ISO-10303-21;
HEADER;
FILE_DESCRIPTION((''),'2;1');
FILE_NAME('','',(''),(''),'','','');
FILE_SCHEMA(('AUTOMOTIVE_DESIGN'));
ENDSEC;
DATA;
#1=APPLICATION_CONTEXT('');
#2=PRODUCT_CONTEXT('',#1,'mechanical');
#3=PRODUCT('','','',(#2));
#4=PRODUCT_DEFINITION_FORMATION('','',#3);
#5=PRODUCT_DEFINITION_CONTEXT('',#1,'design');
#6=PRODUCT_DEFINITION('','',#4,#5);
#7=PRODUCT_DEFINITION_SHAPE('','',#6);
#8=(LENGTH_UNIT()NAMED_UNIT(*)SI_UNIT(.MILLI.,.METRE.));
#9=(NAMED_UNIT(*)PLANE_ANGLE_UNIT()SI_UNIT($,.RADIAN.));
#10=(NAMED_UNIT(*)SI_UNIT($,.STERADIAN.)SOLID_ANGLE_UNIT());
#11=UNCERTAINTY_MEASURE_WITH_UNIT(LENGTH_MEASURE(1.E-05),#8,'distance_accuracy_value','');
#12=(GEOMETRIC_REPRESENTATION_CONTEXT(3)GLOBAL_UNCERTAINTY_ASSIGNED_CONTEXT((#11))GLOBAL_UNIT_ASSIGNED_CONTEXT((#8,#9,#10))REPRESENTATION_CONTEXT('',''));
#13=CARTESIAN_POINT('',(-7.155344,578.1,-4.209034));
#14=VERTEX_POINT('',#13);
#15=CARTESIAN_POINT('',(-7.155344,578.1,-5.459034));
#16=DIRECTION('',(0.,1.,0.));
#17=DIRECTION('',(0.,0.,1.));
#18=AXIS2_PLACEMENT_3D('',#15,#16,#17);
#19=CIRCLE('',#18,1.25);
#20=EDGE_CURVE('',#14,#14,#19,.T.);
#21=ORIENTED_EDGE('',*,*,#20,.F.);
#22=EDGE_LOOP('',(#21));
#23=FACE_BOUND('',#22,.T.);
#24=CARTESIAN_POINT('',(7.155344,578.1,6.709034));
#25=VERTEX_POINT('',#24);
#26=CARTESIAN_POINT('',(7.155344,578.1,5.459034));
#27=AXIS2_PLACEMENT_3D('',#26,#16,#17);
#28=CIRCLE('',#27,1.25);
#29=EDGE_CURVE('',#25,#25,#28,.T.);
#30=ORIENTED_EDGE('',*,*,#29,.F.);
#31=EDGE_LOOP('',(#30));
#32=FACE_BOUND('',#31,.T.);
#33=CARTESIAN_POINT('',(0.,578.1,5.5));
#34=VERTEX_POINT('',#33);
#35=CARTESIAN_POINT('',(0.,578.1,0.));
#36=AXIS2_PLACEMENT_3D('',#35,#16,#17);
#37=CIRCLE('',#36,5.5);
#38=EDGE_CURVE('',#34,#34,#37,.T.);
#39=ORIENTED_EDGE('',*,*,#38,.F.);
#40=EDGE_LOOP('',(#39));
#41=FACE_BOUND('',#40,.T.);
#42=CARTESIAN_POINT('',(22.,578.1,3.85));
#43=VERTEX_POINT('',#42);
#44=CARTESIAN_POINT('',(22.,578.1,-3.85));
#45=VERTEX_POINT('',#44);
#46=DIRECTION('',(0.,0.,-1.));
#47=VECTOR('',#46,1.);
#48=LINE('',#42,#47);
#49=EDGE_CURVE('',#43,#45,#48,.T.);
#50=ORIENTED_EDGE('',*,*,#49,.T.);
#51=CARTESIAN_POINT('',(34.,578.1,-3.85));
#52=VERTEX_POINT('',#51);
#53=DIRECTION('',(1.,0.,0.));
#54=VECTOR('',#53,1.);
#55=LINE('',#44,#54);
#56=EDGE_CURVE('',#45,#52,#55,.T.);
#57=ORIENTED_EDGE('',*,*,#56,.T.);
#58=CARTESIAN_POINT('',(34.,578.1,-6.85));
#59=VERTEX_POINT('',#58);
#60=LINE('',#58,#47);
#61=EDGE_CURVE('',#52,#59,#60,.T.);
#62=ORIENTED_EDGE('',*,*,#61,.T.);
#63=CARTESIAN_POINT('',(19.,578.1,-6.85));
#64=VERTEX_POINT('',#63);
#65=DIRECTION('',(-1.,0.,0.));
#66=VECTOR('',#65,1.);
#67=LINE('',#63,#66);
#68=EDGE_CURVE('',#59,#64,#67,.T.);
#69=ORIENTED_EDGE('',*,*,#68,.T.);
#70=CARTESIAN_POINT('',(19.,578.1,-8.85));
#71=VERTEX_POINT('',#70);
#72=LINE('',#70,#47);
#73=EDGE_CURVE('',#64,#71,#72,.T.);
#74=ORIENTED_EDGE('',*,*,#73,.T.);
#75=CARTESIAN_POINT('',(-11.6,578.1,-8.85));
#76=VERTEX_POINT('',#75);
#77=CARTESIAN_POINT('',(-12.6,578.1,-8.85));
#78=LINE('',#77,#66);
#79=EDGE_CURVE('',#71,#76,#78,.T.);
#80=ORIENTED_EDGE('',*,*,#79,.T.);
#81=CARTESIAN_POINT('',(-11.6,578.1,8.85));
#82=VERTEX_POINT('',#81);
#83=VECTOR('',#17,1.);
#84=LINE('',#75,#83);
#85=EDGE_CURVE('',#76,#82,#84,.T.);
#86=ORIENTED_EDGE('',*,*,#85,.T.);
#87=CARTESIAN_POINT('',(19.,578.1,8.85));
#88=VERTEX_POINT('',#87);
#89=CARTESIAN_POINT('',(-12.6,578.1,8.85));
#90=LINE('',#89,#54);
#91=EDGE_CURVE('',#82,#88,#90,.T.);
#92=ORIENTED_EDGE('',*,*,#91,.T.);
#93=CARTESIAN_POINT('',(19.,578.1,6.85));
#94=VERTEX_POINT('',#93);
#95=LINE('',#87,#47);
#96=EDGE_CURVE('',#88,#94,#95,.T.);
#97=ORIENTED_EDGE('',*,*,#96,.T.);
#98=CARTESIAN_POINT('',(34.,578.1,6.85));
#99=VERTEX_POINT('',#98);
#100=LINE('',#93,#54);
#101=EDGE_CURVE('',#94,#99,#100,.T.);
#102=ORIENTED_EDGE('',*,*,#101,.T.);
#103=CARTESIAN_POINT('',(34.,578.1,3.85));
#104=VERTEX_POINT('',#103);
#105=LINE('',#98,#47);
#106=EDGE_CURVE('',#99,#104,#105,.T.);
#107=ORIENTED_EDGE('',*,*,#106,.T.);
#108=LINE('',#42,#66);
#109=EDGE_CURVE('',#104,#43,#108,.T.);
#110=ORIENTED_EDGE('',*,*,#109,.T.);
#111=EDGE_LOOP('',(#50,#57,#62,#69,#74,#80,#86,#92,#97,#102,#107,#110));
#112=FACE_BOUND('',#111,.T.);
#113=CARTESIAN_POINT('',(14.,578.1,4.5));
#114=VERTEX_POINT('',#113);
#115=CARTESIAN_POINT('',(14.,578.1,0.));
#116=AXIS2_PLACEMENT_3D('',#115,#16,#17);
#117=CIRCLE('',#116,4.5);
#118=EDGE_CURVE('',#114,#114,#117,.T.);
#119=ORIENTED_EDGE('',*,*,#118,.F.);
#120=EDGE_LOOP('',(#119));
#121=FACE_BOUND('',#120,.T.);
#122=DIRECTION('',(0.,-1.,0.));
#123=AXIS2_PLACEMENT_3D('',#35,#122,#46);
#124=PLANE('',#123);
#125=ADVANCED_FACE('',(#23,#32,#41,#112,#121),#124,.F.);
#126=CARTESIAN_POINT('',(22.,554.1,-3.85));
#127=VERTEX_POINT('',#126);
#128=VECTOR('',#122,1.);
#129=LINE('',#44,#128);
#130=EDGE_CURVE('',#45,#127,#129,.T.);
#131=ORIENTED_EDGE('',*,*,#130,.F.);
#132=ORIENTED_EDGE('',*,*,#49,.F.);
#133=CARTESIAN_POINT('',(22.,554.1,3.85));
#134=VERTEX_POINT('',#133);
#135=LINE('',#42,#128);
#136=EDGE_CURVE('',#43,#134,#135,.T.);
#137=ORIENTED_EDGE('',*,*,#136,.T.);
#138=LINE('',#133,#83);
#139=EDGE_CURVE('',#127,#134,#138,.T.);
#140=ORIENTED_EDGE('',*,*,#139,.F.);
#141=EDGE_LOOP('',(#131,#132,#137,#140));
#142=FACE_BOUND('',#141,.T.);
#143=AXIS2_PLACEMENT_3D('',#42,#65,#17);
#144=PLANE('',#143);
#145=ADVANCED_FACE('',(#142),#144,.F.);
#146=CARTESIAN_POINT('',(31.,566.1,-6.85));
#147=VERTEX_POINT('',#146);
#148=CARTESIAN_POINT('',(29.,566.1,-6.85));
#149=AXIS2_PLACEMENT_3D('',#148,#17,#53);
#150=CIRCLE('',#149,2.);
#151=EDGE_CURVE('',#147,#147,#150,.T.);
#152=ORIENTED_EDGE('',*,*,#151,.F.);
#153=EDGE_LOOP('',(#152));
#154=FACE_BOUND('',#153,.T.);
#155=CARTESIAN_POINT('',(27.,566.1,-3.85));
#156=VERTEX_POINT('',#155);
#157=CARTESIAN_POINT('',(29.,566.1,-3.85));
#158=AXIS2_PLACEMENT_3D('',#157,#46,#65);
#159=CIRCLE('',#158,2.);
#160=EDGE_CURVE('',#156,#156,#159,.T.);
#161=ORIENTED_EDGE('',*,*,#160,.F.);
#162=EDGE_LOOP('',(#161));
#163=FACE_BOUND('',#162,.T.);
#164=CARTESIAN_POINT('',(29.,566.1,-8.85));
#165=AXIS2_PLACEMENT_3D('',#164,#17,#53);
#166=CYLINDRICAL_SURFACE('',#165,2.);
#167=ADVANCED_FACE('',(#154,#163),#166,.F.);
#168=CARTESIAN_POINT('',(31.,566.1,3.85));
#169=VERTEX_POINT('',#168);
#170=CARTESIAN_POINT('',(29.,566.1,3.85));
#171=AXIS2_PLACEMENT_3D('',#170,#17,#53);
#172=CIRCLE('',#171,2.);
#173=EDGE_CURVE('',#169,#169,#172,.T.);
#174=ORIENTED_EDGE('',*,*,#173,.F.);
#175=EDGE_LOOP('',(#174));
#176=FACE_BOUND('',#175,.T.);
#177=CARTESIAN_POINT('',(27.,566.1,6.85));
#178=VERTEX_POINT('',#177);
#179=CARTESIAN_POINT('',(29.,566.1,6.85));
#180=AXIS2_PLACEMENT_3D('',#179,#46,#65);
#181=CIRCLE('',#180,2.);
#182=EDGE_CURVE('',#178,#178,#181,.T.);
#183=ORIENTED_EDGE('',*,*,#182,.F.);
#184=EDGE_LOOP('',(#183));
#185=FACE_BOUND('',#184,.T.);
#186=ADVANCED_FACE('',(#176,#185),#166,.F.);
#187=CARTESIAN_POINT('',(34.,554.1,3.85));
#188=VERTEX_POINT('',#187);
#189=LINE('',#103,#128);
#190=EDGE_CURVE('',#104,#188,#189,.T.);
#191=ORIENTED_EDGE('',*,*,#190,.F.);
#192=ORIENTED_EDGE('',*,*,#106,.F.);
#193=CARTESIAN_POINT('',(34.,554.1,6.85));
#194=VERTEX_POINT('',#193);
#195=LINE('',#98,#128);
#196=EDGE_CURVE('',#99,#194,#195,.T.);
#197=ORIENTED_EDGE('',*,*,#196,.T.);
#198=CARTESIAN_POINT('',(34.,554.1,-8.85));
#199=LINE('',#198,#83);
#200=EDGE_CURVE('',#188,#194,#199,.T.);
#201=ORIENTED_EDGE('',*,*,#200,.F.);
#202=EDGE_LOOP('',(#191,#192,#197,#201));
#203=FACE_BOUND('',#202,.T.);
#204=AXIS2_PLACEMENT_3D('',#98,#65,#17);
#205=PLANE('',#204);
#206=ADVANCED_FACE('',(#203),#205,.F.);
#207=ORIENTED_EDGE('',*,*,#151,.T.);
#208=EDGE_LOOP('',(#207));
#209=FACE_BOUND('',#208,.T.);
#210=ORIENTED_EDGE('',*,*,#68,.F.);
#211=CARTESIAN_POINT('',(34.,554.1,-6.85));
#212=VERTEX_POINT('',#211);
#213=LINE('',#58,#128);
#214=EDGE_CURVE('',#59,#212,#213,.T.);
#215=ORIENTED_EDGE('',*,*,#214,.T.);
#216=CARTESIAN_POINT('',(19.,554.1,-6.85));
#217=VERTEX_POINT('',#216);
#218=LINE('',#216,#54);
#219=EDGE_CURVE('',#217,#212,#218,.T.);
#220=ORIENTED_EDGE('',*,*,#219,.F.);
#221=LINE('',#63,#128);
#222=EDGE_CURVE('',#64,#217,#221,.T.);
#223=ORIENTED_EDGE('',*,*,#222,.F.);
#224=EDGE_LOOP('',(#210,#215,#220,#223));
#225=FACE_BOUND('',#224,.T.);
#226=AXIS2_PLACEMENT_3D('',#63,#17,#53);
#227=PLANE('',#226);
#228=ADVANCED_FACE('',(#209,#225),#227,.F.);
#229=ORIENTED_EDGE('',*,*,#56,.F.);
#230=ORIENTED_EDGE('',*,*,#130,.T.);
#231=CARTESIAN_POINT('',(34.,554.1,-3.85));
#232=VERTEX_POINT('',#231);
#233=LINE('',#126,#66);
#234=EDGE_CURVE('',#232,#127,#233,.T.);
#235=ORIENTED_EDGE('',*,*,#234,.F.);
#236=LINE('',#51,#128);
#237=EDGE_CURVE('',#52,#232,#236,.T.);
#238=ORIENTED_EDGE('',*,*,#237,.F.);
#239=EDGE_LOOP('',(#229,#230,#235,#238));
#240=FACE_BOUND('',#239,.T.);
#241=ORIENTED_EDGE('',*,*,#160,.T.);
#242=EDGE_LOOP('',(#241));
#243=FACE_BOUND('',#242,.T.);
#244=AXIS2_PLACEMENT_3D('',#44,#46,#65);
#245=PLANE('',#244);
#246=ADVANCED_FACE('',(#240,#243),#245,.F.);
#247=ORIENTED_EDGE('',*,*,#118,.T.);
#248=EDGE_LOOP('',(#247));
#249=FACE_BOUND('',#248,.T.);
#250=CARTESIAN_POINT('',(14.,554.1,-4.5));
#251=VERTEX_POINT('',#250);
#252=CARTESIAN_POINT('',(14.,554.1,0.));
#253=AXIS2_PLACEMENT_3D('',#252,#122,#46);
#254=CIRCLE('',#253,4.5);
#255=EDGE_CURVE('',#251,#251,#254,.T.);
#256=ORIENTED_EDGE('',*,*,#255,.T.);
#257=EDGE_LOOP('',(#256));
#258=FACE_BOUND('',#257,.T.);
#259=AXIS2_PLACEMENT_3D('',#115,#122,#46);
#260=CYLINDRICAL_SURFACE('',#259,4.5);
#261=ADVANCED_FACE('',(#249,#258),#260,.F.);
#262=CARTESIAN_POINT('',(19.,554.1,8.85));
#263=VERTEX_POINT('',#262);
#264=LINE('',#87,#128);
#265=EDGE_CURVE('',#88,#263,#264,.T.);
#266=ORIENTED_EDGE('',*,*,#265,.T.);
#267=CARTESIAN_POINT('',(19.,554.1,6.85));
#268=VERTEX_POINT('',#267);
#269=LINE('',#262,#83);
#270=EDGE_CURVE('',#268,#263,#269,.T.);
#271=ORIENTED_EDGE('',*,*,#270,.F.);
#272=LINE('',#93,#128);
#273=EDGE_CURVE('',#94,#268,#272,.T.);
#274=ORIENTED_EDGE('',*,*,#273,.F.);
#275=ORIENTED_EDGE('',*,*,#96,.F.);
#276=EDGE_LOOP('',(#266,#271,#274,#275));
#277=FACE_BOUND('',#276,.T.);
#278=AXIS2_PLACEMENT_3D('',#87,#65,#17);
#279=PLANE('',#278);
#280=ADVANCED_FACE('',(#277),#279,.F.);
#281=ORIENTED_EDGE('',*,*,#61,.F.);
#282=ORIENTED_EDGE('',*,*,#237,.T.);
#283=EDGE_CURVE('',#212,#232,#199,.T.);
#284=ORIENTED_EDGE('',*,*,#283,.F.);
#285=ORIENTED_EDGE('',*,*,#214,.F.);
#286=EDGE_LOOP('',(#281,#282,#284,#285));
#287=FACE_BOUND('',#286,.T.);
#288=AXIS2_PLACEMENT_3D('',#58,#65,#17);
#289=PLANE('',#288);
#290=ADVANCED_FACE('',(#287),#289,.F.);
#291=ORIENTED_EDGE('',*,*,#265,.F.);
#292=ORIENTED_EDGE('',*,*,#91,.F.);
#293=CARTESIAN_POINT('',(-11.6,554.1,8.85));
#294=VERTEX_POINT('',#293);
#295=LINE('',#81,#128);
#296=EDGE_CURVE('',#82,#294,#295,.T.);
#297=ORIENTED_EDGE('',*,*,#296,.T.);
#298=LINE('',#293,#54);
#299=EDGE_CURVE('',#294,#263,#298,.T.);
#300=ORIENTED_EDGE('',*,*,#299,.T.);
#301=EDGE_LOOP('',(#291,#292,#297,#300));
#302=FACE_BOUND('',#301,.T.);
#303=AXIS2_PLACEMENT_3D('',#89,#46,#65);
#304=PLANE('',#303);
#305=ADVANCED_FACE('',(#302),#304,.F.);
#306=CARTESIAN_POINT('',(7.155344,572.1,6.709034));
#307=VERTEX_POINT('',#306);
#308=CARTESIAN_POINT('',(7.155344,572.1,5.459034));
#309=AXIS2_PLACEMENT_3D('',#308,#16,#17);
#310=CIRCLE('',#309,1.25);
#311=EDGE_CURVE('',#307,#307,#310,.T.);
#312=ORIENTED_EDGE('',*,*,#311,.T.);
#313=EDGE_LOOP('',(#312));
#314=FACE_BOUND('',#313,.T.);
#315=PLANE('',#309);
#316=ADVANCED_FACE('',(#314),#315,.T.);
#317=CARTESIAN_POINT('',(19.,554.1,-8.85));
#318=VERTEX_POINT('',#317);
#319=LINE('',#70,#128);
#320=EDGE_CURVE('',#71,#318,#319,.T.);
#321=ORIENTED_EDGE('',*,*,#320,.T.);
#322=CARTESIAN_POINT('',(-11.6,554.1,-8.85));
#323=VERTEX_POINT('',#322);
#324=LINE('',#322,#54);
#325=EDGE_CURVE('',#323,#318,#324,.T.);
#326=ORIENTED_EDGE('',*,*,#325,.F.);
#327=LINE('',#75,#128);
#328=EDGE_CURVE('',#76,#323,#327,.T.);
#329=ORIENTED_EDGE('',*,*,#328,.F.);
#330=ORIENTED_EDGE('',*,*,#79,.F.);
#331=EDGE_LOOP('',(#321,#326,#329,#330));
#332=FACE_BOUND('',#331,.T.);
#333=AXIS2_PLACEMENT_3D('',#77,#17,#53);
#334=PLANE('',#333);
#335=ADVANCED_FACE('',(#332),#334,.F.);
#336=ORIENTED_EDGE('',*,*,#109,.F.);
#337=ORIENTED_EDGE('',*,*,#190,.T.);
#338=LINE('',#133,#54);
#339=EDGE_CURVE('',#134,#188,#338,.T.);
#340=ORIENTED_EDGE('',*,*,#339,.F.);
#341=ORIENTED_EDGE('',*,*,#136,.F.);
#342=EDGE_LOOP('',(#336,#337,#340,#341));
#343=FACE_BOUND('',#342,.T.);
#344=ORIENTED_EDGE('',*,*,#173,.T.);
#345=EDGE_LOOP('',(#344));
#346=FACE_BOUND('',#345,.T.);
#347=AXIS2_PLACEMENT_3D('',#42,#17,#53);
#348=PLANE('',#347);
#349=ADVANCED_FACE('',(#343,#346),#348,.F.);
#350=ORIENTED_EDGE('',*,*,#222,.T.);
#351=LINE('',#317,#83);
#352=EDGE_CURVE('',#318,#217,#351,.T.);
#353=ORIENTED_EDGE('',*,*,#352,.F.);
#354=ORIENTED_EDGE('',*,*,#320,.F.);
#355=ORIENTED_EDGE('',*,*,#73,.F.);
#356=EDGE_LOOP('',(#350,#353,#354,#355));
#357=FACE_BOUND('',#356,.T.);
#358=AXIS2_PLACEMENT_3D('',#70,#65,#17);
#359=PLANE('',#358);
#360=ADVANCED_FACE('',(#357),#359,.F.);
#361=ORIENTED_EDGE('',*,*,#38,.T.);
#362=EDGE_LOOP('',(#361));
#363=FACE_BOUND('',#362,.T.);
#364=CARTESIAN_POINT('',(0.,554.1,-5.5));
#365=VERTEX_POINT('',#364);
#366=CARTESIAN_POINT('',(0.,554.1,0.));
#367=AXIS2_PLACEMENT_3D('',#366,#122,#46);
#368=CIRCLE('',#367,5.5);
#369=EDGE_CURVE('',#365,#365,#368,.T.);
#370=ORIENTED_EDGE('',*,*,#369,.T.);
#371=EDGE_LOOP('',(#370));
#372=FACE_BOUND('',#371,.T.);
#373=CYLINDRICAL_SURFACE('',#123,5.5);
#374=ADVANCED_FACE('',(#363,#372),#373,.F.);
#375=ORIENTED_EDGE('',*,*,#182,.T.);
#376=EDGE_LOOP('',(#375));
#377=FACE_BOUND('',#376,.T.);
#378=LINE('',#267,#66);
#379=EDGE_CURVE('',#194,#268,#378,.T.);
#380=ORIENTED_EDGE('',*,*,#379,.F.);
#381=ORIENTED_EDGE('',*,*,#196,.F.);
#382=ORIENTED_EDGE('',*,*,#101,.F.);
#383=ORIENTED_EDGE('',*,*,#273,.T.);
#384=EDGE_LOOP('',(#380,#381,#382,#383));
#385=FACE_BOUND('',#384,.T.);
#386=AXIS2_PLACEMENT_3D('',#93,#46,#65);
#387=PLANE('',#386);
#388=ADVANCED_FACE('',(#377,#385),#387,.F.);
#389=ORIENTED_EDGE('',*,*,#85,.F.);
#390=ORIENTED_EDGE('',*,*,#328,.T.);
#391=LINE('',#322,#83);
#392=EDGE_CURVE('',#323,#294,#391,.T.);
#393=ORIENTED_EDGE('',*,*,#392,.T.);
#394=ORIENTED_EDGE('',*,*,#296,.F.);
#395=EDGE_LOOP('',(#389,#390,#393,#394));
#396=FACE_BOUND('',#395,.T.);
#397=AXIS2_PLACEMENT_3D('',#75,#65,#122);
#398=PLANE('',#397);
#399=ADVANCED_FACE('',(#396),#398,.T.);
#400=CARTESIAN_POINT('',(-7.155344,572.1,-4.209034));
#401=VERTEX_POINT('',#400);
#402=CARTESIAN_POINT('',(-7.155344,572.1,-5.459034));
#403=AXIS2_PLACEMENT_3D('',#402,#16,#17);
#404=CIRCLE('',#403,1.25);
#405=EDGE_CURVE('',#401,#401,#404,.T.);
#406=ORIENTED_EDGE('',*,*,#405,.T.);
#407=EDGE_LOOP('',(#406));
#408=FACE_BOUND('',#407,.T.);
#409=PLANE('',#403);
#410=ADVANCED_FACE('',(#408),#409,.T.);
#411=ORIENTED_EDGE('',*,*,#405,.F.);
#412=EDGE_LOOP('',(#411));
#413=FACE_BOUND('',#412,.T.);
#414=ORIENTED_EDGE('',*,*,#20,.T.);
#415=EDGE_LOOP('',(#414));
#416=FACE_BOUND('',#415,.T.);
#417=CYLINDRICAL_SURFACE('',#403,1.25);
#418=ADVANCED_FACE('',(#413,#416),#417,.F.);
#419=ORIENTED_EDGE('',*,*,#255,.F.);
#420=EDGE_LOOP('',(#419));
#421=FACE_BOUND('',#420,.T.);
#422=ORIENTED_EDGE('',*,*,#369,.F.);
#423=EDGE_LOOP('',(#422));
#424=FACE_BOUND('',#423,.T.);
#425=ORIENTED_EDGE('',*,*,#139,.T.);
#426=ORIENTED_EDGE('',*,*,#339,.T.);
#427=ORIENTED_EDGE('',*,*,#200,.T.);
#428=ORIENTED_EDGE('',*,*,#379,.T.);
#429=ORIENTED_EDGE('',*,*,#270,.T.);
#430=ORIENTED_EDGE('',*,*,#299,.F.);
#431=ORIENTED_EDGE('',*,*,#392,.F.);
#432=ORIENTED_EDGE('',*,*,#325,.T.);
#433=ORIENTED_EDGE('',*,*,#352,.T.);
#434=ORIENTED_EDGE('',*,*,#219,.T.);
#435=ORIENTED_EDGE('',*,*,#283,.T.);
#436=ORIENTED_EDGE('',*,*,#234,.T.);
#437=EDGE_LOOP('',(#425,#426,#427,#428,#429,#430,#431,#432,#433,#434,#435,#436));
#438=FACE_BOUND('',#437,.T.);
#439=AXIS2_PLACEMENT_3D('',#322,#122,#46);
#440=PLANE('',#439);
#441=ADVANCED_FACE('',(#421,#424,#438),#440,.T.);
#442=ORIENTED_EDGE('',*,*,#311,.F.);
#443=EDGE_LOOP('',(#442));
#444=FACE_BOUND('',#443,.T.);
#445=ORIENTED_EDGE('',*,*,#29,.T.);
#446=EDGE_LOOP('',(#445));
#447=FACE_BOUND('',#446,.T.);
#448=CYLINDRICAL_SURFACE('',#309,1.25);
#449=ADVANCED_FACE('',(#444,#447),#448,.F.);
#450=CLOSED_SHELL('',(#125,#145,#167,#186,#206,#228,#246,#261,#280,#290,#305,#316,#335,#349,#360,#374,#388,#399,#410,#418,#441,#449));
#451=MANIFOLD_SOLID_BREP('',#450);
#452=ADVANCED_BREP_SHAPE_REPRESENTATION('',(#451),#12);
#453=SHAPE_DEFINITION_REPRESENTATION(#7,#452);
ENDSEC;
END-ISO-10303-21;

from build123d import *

# Parameters (mm, degrees)
SKIZZE3_R                            = 5.5
SKIZZE3_R_2                          = 4.5
AUFSATZ_LINEAR_AUSTRAGEN1_DEPTH      = 578.1
SKIZZE5_OUTSIDE_W                    = 164.65
SKIZZE5_OUTSIDE_H                    = 696.15
SKIZZE5_OUTSIDE_W_2                  = 45.6
SKIZZE5_OUTSIDE_H_2                  = 24
SKIZZE5_OUTSIDE_R                    = 2
SCHNITT_LINEAR_AUSTRAGEN2_DEPTH      = 9.85
SCHNITT_LINEAR_AUSTRAGEN2_DEPTH_BACK = 9.85
SKETCH2_R                            = 1.25
CUT_EXTRUDE1_DEPTH                   = 6


with BuildPart() as part:
    # Skizze3 → Aufsatz-Linear austragen1 (new body)
    with BuildSketch(Plane(origin=(0, 0, 0), x_dir=(1, 0, 0), z_dir=(0, 1, 0))):
        Polygon((-12.6, -8.85), (-12.6, 8.85), (19, 8.85), (19, 6.85), (34, 6.85), (34, 3.85), (22, 3.85), (22, -3.85), (34, -3.85), (34, -6.85), (19, -6.85), (19, -8.85), align=None)
        Circle(SKIZZE3_R, mode=Mode.SUBTRACT)
        with Locations((14, 0)):
            Circle(SKIZZE3_R_2, mode=Mode.SUBTRACT)
    extrude(amount=AUFSATZ_LINEAR_AUSTRAGEN1_DEPTH)

    # Skizze5 outside → Schnitt-Linear austragen2 (cut, two sides)
    with BuildSketch(Plane.XY) as schnitt_linear_austragen2_sk:
        with Locations((10.7, 289.05)):
            Rectangle(SKIZZE5_OUTSIDE_W, SKIZZE5_OUTSIDE_H)
        with Locations((11.2, 566.1)):
            Rectangle(SKIZZE5_OUTSIDE_W_2, SKIZZE5_OUTSIDE_H_2, mode=Mode.SUBTRACT)
        with Locations((29, 566.1)):
            Circle(SKIZZE5_OUTSIDE_R)
    extrude(amount=SCHNITT_LINEAR_AUSTRAGEN2_DEPTH, mode=Mode.SUBTRACT)
    extrude(schnitt_linear_austragen2_sk.sketch, amount=-SCHNITT_LINEAR_AUSTRAGEN2_DEPTH_BACK, mode=Mode.SUBTRACT)

    # Sketch2 → Cut-Extrude1 (cut)
    with BuildSketch(Plane(origin=(0, 578.1, 0), x_dir=(1, 0, 0), z_dir=(0, 1, 0))):
        with Locations((-7.155344001, 5.459034001)):
            Circle(SKETCH2_R)
        with Locations((7.155344001, -5.459034001)):
            Circle(SKETCH2_R)
    extrude(amount=-CUT_EXTRUDE1_DEPTH, mode=Mode.SUBTRACT)


solid = part.part
